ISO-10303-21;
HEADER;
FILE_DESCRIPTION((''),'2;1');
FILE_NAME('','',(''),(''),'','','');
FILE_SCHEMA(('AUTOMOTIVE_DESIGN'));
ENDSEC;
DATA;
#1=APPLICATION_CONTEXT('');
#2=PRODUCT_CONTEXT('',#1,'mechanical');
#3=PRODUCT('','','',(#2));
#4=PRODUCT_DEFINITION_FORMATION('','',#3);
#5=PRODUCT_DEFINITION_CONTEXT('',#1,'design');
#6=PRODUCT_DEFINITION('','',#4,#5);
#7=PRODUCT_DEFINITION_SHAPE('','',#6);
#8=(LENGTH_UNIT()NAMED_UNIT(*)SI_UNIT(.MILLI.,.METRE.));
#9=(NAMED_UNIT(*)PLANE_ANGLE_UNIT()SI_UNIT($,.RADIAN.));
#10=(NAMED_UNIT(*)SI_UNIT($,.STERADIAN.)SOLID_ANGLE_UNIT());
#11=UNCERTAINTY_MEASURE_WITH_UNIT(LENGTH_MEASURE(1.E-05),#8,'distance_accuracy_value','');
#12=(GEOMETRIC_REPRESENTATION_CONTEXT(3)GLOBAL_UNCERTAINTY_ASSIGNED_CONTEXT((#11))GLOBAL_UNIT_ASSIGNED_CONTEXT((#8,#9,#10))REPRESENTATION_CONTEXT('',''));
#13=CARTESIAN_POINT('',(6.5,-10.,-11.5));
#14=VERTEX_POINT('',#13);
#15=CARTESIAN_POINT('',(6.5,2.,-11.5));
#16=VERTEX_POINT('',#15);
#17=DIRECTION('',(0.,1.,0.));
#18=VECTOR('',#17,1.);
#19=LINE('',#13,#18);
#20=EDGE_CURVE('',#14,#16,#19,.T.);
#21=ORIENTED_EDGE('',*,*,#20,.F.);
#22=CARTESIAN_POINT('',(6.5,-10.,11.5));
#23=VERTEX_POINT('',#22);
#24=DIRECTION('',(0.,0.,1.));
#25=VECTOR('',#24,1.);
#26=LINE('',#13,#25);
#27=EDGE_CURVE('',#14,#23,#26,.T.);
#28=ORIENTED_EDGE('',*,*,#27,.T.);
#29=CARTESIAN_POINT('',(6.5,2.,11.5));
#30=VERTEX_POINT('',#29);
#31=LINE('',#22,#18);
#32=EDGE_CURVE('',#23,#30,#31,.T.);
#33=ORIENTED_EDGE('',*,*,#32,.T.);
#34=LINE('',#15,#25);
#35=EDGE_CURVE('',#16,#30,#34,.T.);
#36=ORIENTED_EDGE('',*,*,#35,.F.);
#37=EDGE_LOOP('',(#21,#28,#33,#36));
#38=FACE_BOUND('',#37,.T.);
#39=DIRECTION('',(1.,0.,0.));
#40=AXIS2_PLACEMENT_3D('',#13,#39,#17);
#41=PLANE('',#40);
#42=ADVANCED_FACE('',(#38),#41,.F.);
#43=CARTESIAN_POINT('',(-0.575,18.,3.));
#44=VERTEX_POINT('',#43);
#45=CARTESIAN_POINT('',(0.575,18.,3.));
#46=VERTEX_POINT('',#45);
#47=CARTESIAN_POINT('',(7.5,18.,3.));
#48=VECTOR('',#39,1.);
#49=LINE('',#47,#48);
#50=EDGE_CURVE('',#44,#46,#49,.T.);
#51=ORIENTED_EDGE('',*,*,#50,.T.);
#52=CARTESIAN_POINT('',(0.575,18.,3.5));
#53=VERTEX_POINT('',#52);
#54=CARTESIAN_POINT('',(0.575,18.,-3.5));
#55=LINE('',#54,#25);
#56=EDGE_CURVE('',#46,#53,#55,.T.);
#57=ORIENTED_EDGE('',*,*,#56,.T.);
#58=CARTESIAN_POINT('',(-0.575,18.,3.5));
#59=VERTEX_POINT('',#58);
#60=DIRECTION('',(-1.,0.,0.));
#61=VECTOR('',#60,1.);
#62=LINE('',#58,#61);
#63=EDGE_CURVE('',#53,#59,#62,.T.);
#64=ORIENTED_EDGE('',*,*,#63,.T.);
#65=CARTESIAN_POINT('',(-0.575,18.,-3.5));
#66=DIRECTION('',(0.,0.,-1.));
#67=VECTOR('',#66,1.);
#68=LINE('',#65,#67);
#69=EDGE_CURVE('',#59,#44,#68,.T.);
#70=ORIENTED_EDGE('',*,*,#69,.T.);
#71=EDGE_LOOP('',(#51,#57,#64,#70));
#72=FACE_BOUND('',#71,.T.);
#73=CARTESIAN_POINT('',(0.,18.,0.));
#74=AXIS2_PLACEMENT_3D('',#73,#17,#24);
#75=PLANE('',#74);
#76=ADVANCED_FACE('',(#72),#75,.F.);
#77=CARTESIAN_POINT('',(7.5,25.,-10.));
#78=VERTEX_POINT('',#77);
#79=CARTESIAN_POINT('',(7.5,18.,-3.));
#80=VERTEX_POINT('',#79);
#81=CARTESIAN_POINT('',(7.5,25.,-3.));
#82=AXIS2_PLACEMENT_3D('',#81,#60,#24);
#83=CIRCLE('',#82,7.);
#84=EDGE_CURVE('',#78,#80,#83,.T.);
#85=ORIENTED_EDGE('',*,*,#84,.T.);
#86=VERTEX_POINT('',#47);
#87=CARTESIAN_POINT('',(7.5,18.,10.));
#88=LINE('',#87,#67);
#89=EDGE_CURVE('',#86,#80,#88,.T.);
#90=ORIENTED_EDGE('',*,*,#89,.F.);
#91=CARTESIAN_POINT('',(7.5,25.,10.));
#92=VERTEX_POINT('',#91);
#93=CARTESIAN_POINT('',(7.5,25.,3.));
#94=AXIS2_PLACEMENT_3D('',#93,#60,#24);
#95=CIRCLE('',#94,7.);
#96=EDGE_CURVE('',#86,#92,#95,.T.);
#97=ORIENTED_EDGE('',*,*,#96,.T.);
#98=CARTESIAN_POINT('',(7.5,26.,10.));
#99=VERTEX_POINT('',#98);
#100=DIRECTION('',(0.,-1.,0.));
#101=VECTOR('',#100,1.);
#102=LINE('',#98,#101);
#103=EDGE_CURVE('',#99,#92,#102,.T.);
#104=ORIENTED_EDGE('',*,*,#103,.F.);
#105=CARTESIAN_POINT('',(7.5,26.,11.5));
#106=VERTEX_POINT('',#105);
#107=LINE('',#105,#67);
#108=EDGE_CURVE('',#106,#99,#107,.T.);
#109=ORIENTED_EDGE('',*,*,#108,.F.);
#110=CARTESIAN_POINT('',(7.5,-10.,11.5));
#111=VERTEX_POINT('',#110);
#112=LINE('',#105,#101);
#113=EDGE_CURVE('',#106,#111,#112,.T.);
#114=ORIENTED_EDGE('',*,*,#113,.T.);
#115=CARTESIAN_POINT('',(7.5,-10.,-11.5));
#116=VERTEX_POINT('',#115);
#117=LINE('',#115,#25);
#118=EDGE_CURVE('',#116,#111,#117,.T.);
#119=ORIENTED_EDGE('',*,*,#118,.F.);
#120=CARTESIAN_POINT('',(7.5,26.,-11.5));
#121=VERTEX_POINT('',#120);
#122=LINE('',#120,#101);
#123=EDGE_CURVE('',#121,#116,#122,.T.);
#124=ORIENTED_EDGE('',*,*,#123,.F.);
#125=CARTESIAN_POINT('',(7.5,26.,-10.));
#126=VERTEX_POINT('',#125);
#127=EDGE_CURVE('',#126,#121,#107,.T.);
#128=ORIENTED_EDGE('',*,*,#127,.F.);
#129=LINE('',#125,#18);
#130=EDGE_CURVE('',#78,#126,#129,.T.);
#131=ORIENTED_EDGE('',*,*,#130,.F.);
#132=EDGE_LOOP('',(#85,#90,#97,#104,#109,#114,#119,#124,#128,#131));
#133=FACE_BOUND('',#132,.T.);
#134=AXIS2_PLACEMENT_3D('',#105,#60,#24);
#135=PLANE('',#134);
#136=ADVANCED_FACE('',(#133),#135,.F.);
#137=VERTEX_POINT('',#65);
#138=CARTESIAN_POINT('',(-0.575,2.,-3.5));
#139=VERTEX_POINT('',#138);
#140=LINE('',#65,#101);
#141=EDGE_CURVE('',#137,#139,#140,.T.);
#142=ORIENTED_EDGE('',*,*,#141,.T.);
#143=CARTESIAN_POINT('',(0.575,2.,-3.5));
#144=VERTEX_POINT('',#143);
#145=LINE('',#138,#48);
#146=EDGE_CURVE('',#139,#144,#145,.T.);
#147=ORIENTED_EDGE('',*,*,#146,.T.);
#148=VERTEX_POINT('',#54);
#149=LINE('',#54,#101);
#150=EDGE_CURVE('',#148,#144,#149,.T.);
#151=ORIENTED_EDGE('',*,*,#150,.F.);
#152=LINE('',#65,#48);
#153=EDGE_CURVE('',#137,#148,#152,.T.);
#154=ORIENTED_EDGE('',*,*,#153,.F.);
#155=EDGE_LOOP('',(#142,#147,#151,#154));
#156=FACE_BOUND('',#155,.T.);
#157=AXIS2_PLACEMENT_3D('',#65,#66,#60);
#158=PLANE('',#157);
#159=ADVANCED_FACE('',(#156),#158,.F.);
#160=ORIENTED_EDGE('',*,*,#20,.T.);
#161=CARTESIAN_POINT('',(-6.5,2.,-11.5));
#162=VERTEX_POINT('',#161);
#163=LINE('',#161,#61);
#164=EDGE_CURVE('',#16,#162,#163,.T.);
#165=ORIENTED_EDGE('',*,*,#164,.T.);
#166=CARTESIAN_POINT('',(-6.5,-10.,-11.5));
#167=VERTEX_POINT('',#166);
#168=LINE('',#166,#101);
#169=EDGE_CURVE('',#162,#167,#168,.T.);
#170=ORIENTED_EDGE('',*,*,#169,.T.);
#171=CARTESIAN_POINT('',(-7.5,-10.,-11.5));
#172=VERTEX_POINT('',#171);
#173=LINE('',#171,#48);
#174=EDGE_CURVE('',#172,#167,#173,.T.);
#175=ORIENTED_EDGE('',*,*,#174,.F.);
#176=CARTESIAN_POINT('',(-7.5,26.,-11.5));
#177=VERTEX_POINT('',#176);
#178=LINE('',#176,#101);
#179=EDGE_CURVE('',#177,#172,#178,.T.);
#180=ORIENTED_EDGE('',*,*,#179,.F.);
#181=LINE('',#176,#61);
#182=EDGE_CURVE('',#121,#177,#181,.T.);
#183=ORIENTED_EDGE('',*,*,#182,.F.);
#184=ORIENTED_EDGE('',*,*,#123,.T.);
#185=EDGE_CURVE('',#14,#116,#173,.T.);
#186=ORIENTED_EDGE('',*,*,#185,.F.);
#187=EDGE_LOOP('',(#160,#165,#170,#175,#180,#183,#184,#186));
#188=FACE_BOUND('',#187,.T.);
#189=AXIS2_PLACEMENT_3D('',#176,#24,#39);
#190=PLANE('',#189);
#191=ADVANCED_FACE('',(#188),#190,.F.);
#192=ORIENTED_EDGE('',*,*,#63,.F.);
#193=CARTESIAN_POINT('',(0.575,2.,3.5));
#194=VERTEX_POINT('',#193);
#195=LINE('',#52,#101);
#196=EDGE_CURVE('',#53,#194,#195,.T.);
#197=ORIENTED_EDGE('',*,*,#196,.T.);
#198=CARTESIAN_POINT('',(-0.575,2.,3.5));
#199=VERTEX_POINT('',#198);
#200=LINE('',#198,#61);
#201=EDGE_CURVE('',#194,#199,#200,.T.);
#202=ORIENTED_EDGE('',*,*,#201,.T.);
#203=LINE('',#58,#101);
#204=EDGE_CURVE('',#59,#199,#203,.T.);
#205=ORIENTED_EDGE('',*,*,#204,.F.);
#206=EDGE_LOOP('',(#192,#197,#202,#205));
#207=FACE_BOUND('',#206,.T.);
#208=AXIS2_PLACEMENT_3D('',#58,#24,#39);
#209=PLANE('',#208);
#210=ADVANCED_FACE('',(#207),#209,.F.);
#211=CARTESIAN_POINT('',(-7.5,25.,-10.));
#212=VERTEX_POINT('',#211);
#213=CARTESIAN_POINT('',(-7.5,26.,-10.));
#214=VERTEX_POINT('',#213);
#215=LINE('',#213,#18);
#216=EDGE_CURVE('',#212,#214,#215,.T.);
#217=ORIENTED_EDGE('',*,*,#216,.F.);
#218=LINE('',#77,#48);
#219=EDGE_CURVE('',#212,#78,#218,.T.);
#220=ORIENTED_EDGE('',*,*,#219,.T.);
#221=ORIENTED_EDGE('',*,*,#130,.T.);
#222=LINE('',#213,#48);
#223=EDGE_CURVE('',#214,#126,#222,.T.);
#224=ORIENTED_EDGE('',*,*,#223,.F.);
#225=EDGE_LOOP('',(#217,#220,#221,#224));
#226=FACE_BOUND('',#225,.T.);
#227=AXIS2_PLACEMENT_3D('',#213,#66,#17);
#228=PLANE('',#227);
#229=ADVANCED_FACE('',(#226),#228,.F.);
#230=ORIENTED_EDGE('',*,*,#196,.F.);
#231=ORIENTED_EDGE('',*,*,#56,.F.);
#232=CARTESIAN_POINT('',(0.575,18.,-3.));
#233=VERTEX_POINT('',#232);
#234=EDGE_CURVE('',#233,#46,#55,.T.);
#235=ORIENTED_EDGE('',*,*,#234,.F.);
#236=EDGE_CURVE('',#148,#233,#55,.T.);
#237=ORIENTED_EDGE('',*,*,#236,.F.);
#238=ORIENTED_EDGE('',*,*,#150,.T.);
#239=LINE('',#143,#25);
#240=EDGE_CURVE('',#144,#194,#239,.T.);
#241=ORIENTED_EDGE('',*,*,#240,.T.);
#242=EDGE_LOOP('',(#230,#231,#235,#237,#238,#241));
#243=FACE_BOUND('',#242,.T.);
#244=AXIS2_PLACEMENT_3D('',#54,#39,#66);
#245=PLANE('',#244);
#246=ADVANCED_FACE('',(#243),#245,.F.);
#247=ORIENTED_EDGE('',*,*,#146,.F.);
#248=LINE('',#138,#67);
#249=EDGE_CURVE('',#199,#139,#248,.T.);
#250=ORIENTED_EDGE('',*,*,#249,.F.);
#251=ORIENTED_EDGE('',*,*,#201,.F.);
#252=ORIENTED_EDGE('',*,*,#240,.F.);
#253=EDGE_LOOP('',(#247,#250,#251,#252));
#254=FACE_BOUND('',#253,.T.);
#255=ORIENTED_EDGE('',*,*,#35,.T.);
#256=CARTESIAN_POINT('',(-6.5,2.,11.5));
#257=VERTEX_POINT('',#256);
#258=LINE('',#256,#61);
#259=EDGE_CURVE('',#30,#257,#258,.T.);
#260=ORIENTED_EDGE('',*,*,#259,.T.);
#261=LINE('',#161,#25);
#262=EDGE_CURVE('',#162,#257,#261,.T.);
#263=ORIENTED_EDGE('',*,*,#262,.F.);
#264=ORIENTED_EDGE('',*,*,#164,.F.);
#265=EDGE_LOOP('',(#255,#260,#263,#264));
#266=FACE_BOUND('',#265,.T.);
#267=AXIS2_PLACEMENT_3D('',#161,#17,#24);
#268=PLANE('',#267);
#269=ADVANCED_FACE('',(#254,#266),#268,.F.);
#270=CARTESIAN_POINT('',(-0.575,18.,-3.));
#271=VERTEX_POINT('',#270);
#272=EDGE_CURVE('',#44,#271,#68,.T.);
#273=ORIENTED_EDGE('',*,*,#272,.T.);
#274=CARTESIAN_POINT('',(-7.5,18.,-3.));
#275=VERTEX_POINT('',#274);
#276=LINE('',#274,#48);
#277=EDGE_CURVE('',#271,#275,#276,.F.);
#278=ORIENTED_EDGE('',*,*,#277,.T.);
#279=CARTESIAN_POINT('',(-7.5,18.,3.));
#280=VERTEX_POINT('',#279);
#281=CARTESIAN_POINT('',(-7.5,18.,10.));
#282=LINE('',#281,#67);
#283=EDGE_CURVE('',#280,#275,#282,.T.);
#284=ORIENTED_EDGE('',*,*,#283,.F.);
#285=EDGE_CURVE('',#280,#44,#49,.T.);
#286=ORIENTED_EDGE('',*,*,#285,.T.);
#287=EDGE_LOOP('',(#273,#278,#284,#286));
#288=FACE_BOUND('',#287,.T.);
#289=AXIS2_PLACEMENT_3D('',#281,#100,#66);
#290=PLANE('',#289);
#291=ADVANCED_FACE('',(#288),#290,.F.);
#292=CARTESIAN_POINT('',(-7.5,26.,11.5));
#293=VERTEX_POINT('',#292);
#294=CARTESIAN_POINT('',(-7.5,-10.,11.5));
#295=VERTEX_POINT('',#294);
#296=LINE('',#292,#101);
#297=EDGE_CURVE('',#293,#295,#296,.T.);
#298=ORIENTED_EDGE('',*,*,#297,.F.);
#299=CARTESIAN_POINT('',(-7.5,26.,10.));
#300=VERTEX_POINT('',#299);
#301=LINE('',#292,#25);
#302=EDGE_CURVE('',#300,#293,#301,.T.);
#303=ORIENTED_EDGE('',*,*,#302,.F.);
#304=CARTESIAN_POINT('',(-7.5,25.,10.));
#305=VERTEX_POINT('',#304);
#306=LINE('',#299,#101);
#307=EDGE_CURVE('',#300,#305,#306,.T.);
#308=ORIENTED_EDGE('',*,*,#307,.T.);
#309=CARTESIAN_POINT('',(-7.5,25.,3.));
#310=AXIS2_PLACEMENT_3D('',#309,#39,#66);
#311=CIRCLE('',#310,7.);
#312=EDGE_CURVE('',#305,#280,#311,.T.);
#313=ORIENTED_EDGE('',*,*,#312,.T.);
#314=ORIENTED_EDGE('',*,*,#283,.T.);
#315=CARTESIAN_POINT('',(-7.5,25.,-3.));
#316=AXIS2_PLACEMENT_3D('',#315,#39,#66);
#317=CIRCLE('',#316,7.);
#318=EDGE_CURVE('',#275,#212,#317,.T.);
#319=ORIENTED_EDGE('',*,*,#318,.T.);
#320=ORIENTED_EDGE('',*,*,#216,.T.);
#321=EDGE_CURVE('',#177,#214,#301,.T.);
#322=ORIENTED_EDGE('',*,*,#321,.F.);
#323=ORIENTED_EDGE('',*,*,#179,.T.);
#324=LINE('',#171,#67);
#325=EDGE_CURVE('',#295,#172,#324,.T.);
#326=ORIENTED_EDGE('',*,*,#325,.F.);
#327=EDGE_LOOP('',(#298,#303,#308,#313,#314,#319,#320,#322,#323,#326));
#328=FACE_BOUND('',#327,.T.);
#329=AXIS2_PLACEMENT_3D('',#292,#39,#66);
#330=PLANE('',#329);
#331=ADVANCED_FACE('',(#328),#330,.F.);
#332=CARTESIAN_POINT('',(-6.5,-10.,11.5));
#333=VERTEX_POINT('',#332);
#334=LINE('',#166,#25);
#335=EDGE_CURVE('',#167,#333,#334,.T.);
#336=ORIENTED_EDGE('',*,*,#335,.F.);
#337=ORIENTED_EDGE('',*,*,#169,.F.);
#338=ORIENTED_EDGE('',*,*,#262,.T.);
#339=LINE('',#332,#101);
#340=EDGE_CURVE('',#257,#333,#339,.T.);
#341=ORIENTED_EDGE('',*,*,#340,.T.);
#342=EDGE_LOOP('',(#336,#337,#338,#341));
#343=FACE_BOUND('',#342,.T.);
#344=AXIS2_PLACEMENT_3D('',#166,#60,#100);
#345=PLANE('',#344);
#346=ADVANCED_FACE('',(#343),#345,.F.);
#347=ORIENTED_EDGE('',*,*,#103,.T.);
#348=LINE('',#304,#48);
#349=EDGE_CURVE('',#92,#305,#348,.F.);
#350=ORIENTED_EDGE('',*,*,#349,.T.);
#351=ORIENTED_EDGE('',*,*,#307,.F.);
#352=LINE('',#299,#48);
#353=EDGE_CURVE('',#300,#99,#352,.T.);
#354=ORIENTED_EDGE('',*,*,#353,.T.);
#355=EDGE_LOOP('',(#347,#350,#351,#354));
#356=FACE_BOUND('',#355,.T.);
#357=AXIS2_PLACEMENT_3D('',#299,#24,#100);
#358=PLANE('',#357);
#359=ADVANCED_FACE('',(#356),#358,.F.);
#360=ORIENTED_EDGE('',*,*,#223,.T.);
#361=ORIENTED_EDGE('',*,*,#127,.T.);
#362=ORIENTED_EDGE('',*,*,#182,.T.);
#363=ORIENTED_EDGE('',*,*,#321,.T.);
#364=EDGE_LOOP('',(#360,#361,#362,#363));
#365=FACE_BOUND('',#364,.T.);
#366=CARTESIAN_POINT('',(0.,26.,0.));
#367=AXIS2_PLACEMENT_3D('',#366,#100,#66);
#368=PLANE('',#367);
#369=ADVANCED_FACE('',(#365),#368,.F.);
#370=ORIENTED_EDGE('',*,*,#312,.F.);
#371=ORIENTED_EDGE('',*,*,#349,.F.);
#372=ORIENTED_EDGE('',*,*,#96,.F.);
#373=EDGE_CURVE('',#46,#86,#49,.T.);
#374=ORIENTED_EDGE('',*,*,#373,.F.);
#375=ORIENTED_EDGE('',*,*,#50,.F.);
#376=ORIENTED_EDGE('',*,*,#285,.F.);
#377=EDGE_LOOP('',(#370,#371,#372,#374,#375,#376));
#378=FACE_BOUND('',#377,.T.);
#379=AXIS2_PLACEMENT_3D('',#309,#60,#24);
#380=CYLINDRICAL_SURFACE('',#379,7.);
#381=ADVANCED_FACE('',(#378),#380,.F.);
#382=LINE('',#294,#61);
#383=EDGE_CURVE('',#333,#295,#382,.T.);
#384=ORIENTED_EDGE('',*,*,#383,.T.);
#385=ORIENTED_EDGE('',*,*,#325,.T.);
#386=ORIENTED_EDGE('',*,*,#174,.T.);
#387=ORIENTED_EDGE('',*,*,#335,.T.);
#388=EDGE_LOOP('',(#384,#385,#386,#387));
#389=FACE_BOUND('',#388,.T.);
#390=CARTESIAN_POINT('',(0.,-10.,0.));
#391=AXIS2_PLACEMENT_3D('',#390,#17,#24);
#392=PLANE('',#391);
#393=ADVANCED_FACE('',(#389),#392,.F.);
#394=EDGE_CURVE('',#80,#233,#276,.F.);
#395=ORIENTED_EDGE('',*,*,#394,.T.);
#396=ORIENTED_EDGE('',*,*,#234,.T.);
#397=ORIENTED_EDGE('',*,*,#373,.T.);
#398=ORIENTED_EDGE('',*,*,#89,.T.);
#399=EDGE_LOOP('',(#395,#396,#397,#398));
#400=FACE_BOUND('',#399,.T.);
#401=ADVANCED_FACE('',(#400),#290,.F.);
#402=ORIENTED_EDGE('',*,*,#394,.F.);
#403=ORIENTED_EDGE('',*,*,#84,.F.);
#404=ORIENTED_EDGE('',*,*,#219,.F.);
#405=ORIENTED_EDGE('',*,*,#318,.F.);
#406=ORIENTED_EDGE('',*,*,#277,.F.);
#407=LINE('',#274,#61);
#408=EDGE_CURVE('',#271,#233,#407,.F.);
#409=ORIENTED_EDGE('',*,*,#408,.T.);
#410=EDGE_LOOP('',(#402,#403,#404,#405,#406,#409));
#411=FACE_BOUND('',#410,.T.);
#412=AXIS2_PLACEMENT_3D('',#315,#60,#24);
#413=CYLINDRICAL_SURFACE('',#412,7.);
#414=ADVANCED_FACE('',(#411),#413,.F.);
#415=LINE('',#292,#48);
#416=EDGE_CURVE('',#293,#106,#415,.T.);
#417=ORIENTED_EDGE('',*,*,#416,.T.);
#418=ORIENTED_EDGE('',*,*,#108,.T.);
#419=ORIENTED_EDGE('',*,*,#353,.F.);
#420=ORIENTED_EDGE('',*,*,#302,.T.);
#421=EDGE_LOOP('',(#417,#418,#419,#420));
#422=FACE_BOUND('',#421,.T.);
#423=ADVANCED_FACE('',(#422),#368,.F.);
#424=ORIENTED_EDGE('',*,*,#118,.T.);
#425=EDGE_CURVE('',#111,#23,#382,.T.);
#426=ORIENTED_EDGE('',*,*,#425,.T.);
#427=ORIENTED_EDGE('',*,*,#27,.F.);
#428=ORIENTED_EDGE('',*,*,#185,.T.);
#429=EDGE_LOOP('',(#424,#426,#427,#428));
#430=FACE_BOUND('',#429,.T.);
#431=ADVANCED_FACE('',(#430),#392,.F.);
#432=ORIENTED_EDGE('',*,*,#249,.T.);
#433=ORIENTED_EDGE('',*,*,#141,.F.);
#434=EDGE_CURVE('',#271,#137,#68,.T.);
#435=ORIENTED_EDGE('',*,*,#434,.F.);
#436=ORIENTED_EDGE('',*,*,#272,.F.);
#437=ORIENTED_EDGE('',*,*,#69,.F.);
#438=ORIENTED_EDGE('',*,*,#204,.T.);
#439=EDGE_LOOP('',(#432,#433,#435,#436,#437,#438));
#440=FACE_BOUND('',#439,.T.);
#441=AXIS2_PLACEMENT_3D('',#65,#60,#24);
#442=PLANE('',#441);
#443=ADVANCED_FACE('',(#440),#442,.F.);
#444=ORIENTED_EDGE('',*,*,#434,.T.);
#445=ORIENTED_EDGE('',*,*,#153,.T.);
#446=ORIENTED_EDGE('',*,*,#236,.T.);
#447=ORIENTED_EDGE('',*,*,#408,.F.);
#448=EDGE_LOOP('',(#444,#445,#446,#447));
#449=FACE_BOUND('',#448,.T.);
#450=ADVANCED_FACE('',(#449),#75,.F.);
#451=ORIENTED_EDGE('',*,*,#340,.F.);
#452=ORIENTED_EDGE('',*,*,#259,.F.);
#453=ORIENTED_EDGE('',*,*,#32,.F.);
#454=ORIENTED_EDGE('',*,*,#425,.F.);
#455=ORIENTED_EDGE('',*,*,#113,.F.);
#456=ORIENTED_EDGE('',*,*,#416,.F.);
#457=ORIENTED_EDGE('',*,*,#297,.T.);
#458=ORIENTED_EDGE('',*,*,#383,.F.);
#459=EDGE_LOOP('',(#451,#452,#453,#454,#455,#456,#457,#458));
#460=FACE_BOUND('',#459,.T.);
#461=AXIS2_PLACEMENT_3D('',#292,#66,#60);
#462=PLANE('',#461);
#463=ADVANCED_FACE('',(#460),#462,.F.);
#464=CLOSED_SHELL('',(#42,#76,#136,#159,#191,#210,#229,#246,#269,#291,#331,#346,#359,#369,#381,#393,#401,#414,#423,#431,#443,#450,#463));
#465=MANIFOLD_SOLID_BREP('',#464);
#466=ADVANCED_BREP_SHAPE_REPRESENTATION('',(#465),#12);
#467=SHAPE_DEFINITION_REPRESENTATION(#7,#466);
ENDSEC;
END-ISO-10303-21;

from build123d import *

# Parameters (mm, degrees)
SKETCH1_W           = 15
SKETCH1_H           = 23
BOSS_EXTRUDE1_DEPTH = 26
SKETCH4_W           = 20
SKETCH4_H           = 8
CUT_EXTRUDE2_DEPTH  = 33.144206321
FILLET1_R           = 7
SKETCH5_W           = 15
SKETCH5_H           = 23
BOSS_EXTRUDE2_DEPTH = 10
SKETCH7_W           = 13
SKETCH7_H           = 12
CUT_EXTRUDE3_DEPTH  = 36.514081714
SKETCH11_W          = 1.15
SKETCH11_H          = 7
CUT_EXTRUDE4_DEPTH  = 16


with BuildPart() as part:
    # Sketch1 → Boss-Extrude1 (new body)
    with BuildSketch(Plane(origin=(0, 0, 0), x_dir=(1, 0, 0), z_dir=(0, 1, 0))):
        Rectangle(SKETCH1_W, SKETCH1_H)
    extrude(amount=BOSS_EXTRUDE1_DEPTH)

    # Sketch4 → Cut-Extrude2 (cut, through all)
    with BuildSketch(Plane(origin=(7.5, 0, 0), x_dir=(0, 0, -1), z_dir=(1, 0, 0))):
        with Locations((0, 22)):
            Rectangle(SKETCH4_W, SKETCH4_H)
    extrude(amount=-CUT_EXTRUDE2_DEPTH, mode=Mode.SUBTRACT)

    # Fillet1
    fillet1_edges = [part.edges().sort_by_distance(p)[0] for p in [
        (0, 18, 10),
        (0, 18, -10),
    ]]
    fillet(fillet1_edges, radius=FILLET1_R)

    # Sketch5 → Boss-Extrude2 (add)
    with BuildSketch(Plane.XZ):
        Rectangle(SKETCH5_W, SKETCH5_H)
    extrude(amount=BOSS_EXTRUDE2_DEPTH)

    # Sketch7 → Cut-Extrude3 (cut, through all)
    with BuildSketch(Plane.XY.offset(11.5)):
        with Locations((0, -4)):
            Rectangle(SKETCH7_W, SKETCH7_H)
    extrude(amount=-CUT_EXTRUDE3_DEPTH, mode=Mode.SUBTRACT)

    # Sketch11 → Cut-Extrude4 (cut)
    with BuildSketch(Plane.XZ.offset(-2)):
        Rectangle(SKETCH11_W, SKETCH11_H)
    extrude(amount=-CUT_EXTRUDE4_DEPTH, mode=Mode.SUBTRACT)


solid = part.part
